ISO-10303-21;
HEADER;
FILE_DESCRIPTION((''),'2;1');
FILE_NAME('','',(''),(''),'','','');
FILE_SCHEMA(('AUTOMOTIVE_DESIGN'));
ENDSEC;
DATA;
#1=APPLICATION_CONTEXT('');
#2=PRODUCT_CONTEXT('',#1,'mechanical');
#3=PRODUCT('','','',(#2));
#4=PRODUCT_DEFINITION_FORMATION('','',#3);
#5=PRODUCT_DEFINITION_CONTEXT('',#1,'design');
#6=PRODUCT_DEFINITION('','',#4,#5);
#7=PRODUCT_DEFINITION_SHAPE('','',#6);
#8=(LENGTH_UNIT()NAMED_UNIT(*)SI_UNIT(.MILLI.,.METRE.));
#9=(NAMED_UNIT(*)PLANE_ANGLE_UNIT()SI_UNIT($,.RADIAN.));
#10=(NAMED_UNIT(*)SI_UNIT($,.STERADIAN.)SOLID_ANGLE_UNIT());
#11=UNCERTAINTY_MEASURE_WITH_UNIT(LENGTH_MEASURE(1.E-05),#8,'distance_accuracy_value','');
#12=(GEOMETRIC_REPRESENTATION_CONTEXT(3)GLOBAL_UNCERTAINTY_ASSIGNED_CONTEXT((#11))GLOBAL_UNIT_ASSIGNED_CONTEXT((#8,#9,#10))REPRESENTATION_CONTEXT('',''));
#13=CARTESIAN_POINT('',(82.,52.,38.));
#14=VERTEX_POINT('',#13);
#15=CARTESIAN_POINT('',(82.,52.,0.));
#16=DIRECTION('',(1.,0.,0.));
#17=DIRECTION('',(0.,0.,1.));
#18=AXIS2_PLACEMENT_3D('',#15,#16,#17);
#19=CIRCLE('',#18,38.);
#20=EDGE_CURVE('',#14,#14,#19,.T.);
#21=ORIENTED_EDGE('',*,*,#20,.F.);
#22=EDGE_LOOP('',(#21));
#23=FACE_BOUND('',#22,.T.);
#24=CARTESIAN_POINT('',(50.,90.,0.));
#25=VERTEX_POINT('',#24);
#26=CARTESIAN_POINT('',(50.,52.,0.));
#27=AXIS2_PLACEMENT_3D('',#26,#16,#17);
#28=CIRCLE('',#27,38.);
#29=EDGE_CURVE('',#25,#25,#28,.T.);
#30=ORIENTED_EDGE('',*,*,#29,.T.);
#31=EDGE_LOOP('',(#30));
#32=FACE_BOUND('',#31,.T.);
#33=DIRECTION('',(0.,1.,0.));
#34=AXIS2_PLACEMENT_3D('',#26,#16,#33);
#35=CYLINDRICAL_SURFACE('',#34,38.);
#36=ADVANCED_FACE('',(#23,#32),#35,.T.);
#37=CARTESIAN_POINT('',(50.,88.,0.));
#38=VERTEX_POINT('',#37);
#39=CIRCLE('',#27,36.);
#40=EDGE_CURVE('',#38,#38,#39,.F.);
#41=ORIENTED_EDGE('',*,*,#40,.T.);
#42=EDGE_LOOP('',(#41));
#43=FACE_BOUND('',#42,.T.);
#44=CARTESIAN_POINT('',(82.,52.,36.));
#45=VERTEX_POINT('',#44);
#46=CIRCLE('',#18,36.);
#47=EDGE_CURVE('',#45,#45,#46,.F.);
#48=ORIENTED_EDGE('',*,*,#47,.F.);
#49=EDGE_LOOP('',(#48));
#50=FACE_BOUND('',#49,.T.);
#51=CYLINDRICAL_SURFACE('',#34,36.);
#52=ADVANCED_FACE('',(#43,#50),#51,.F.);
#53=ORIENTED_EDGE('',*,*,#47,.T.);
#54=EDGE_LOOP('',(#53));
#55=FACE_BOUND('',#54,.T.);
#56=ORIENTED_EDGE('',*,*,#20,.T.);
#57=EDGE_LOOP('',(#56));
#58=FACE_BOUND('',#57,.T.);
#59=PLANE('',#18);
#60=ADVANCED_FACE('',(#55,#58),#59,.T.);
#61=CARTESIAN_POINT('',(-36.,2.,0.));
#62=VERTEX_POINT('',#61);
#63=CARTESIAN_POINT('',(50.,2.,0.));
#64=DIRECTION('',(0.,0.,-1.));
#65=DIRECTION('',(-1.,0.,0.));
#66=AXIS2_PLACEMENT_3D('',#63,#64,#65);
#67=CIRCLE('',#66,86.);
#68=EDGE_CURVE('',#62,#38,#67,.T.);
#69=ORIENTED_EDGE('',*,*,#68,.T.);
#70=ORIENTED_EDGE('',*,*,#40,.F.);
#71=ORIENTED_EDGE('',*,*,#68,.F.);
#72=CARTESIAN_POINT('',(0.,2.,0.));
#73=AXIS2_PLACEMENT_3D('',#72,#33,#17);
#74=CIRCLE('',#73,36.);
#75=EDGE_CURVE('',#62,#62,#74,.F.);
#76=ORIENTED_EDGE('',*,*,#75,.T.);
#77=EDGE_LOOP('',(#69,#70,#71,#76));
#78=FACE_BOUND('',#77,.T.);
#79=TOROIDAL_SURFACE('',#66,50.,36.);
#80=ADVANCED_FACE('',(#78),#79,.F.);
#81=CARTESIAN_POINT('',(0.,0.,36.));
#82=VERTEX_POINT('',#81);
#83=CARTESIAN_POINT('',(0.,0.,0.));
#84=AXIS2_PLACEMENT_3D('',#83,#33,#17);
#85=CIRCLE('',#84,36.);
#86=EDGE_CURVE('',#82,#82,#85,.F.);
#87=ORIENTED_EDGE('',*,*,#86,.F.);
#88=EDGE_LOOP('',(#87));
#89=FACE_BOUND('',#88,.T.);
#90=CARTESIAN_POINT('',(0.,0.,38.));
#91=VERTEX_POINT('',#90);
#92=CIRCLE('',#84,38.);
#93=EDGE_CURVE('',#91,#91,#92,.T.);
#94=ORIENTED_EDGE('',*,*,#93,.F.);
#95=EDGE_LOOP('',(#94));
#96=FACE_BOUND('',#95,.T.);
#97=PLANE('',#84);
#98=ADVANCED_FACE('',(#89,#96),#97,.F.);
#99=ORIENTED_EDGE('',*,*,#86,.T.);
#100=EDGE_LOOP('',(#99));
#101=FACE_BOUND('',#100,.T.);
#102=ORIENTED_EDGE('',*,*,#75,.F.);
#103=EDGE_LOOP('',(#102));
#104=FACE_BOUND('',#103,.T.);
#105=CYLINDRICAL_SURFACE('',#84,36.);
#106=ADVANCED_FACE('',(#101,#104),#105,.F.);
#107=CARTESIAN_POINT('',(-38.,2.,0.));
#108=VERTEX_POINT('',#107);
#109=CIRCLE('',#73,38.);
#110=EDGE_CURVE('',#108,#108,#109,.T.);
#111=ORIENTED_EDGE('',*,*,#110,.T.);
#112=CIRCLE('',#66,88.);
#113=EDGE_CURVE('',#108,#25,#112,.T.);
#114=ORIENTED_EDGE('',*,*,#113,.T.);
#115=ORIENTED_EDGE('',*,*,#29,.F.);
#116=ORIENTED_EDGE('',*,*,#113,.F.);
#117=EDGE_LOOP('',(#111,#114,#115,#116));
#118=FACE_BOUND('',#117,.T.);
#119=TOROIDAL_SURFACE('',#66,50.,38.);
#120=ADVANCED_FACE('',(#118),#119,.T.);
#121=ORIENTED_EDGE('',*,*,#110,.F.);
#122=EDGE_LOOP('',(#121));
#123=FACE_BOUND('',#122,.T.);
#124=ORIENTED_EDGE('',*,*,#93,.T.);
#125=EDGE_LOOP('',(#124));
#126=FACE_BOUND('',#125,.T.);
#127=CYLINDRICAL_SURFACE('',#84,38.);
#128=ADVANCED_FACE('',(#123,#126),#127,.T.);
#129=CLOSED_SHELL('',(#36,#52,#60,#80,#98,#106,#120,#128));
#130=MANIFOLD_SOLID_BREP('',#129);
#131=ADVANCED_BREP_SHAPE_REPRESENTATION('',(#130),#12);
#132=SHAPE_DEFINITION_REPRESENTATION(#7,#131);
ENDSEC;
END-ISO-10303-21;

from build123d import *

# Parameters (mm, degrees)
SKETCH2_R   = 38
SKETCH2_R_2 = 36


with BuildPart() as part:
    # Sweep1: sweep along a path in Sketch1
    with BuildLine(Plane.XY) as sweep1_path:
        Line((0, 0), (0, 2))
        ThreePointArc((0, 2), (14.644660941, 37.355339059), (50, 52))
        Line((50, 52), (82, 52))
    # Sketch2 → Sweep1 (sweep)
    with BuildSketch(Plane(origin=(0, 0, 0), x_dir=(1, 0, 0), z_dir=(0, 1, 0))):
        Circle(SKETCH2_R)
        Circle(SKETCH2_R_2, mode=Mode.SUBTRACT)
    sweep(path=sweep1_path.line)


solid = part.part
